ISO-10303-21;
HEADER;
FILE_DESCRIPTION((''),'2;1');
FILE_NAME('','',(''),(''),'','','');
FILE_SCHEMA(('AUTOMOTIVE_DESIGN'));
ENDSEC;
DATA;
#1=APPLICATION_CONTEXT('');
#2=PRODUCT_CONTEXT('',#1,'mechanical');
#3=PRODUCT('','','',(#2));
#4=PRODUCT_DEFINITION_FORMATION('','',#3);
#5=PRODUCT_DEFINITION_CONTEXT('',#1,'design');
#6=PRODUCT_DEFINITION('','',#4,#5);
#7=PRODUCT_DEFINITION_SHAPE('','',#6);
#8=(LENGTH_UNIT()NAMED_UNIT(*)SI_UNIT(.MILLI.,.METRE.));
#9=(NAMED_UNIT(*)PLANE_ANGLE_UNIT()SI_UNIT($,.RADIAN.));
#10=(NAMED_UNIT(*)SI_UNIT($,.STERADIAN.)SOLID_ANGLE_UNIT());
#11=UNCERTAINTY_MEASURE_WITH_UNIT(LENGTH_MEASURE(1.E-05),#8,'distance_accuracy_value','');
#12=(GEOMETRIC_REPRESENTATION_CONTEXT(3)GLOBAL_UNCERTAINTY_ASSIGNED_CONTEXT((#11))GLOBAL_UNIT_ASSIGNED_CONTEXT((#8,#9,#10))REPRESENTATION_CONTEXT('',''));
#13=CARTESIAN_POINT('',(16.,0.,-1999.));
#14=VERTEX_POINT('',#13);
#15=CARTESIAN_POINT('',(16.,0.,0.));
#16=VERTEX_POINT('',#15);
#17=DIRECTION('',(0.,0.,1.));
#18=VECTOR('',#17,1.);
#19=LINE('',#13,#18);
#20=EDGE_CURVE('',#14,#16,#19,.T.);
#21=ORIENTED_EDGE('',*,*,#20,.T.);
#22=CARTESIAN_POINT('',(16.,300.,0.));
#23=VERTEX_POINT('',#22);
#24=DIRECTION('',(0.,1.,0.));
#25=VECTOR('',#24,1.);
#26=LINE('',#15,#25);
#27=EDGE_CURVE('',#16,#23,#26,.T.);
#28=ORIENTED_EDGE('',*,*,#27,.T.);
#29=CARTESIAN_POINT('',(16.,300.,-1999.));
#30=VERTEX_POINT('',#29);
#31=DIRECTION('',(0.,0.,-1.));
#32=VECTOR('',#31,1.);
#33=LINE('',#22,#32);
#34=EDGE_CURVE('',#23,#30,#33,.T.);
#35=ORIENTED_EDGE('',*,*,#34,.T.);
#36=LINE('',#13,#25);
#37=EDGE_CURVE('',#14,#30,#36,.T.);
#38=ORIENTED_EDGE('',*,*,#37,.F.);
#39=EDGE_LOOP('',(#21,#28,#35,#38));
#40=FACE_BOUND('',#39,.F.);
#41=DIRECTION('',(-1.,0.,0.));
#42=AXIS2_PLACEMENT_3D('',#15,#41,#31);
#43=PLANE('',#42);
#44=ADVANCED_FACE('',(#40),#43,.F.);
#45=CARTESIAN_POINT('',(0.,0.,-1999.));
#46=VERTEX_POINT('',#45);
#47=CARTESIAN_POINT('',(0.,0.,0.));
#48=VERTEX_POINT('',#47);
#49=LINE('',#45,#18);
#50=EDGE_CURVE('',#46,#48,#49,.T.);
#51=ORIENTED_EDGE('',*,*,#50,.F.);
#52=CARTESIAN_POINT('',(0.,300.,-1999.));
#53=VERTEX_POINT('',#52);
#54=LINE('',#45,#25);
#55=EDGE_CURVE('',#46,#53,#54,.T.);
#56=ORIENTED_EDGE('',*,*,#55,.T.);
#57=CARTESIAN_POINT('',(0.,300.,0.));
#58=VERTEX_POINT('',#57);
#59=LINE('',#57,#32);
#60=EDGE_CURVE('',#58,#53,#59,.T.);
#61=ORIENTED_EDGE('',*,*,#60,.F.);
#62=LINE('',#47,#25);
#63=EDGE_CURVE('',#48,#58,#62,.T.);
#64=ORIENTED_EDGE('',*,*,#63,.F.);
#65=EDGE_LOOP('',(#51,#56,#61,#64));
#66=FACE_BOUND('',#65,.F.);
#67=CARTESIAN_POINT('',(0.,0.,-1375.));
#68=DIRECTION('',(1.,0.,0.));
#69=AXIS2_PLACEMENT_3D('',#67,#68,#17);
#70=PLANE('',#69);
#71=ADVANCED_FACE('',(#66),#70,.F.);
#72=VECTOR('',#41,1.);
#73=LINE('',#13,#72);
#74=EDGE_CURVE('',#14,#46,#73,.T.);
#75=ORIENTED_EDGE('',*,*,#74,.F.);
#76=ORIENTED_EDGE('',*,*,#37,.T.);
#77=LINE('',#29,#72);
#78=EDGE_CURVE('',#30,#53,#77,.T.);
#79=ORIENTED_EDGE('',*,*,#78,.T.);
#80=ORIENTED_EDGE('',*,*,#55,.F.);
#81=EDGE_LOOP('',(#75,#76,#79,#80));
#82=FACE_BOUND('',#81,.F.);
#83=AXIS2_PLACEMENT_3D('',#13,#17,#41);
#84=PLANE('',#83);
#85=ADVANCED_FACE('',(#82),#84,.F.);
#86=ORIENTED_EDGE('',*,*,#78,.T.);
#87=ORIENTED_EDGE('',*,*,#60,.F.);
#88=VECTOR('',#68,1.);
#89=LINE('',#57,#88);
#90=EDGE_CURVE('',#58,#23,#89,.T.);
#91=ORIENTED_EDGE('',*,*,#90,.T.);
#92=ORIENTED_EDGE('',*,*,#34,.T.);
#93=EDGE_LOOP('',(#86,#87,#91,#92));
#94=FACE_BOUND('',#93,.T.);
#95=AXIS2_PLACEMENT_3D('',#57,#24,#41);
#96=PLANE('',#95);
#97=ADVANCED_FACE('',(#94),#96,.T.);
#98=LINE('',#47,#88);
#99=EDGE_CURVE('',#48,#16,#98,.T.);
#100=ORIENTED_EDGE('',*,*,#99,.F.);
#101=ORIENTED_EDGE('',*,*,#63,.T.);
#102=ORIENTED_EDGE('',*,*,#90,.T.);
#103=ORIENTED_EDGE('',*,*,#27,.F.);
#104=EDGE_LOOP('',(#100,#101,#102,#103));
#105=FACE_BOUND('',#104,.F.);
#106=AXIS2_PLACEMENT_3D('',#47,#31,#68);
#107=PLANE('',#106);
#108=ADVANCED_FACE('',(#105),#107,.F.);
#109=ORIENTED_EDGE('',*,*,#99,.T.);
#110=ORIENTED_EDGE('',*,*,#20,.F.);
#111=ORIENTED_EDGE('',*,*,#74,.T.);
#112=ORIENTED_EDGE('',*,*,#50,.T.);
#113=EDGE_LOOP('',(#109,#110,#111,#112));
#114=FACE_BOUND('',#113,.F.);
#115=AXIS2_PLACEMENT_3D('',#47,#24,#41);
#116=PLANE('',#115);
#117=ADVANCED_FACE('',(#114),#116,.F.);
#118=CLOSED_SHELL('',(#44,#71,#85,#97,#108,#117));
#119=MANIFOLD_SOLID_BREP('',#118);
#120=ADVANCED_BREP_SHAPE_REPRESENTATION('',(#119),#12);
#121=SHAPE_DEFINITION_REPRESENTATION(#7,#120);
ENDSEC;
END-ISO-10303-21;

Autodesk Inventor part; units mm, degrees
ref_plane "YZ Plane" through (0, 0, 0) normal (1, 0, 0) x (0, 1, 0)
ref_plane "XZ Plane" through (0, 0, 0) normal (0, 1, 0) x (-1, 0, 0)
ref_plane "XY Plane" through (0, 0, 0) normal (0, 0, 1) x (1, 0, 0)
sketch "Boceto1" plane through (0, 0, 0) normal (0, 1, 0) x (-1, 0, 0)
  line L0 (0, 0) -> (-16, 0)
  line L1 (-16, 0) -> (-16, -1999)
  line L2 (-16, -1999) -> (0, -1999)
  line L3 (0, -1999) -> (0, 0)
  line L4 (1484, -1375) -> (-16, -1375) projected
  line L5 (-16, -1375) -> (-16, -1972) projected
  line L6 (-16, -1972) -> (1484, -1972) projected
  line L7 (1484, -1972) -> (1484, -1375) projected
  line L8 (-16, -1972) -> (0, -1972)
  line L9 (1459, -1956) -> (-76, -1956) projected
  point P0 (0, -1956)
  dimension "d0" = 16
  dimension "d1" = 1999
extrude "Extrusión1" add sketch "Boceto1" along normal blind 300 contours L3 L4 L1 L0 | L3 L9 L1 L4 | L3 L6 L1 L9 | L3 L2 L1 L6
properties part number "TableroVertical2"
